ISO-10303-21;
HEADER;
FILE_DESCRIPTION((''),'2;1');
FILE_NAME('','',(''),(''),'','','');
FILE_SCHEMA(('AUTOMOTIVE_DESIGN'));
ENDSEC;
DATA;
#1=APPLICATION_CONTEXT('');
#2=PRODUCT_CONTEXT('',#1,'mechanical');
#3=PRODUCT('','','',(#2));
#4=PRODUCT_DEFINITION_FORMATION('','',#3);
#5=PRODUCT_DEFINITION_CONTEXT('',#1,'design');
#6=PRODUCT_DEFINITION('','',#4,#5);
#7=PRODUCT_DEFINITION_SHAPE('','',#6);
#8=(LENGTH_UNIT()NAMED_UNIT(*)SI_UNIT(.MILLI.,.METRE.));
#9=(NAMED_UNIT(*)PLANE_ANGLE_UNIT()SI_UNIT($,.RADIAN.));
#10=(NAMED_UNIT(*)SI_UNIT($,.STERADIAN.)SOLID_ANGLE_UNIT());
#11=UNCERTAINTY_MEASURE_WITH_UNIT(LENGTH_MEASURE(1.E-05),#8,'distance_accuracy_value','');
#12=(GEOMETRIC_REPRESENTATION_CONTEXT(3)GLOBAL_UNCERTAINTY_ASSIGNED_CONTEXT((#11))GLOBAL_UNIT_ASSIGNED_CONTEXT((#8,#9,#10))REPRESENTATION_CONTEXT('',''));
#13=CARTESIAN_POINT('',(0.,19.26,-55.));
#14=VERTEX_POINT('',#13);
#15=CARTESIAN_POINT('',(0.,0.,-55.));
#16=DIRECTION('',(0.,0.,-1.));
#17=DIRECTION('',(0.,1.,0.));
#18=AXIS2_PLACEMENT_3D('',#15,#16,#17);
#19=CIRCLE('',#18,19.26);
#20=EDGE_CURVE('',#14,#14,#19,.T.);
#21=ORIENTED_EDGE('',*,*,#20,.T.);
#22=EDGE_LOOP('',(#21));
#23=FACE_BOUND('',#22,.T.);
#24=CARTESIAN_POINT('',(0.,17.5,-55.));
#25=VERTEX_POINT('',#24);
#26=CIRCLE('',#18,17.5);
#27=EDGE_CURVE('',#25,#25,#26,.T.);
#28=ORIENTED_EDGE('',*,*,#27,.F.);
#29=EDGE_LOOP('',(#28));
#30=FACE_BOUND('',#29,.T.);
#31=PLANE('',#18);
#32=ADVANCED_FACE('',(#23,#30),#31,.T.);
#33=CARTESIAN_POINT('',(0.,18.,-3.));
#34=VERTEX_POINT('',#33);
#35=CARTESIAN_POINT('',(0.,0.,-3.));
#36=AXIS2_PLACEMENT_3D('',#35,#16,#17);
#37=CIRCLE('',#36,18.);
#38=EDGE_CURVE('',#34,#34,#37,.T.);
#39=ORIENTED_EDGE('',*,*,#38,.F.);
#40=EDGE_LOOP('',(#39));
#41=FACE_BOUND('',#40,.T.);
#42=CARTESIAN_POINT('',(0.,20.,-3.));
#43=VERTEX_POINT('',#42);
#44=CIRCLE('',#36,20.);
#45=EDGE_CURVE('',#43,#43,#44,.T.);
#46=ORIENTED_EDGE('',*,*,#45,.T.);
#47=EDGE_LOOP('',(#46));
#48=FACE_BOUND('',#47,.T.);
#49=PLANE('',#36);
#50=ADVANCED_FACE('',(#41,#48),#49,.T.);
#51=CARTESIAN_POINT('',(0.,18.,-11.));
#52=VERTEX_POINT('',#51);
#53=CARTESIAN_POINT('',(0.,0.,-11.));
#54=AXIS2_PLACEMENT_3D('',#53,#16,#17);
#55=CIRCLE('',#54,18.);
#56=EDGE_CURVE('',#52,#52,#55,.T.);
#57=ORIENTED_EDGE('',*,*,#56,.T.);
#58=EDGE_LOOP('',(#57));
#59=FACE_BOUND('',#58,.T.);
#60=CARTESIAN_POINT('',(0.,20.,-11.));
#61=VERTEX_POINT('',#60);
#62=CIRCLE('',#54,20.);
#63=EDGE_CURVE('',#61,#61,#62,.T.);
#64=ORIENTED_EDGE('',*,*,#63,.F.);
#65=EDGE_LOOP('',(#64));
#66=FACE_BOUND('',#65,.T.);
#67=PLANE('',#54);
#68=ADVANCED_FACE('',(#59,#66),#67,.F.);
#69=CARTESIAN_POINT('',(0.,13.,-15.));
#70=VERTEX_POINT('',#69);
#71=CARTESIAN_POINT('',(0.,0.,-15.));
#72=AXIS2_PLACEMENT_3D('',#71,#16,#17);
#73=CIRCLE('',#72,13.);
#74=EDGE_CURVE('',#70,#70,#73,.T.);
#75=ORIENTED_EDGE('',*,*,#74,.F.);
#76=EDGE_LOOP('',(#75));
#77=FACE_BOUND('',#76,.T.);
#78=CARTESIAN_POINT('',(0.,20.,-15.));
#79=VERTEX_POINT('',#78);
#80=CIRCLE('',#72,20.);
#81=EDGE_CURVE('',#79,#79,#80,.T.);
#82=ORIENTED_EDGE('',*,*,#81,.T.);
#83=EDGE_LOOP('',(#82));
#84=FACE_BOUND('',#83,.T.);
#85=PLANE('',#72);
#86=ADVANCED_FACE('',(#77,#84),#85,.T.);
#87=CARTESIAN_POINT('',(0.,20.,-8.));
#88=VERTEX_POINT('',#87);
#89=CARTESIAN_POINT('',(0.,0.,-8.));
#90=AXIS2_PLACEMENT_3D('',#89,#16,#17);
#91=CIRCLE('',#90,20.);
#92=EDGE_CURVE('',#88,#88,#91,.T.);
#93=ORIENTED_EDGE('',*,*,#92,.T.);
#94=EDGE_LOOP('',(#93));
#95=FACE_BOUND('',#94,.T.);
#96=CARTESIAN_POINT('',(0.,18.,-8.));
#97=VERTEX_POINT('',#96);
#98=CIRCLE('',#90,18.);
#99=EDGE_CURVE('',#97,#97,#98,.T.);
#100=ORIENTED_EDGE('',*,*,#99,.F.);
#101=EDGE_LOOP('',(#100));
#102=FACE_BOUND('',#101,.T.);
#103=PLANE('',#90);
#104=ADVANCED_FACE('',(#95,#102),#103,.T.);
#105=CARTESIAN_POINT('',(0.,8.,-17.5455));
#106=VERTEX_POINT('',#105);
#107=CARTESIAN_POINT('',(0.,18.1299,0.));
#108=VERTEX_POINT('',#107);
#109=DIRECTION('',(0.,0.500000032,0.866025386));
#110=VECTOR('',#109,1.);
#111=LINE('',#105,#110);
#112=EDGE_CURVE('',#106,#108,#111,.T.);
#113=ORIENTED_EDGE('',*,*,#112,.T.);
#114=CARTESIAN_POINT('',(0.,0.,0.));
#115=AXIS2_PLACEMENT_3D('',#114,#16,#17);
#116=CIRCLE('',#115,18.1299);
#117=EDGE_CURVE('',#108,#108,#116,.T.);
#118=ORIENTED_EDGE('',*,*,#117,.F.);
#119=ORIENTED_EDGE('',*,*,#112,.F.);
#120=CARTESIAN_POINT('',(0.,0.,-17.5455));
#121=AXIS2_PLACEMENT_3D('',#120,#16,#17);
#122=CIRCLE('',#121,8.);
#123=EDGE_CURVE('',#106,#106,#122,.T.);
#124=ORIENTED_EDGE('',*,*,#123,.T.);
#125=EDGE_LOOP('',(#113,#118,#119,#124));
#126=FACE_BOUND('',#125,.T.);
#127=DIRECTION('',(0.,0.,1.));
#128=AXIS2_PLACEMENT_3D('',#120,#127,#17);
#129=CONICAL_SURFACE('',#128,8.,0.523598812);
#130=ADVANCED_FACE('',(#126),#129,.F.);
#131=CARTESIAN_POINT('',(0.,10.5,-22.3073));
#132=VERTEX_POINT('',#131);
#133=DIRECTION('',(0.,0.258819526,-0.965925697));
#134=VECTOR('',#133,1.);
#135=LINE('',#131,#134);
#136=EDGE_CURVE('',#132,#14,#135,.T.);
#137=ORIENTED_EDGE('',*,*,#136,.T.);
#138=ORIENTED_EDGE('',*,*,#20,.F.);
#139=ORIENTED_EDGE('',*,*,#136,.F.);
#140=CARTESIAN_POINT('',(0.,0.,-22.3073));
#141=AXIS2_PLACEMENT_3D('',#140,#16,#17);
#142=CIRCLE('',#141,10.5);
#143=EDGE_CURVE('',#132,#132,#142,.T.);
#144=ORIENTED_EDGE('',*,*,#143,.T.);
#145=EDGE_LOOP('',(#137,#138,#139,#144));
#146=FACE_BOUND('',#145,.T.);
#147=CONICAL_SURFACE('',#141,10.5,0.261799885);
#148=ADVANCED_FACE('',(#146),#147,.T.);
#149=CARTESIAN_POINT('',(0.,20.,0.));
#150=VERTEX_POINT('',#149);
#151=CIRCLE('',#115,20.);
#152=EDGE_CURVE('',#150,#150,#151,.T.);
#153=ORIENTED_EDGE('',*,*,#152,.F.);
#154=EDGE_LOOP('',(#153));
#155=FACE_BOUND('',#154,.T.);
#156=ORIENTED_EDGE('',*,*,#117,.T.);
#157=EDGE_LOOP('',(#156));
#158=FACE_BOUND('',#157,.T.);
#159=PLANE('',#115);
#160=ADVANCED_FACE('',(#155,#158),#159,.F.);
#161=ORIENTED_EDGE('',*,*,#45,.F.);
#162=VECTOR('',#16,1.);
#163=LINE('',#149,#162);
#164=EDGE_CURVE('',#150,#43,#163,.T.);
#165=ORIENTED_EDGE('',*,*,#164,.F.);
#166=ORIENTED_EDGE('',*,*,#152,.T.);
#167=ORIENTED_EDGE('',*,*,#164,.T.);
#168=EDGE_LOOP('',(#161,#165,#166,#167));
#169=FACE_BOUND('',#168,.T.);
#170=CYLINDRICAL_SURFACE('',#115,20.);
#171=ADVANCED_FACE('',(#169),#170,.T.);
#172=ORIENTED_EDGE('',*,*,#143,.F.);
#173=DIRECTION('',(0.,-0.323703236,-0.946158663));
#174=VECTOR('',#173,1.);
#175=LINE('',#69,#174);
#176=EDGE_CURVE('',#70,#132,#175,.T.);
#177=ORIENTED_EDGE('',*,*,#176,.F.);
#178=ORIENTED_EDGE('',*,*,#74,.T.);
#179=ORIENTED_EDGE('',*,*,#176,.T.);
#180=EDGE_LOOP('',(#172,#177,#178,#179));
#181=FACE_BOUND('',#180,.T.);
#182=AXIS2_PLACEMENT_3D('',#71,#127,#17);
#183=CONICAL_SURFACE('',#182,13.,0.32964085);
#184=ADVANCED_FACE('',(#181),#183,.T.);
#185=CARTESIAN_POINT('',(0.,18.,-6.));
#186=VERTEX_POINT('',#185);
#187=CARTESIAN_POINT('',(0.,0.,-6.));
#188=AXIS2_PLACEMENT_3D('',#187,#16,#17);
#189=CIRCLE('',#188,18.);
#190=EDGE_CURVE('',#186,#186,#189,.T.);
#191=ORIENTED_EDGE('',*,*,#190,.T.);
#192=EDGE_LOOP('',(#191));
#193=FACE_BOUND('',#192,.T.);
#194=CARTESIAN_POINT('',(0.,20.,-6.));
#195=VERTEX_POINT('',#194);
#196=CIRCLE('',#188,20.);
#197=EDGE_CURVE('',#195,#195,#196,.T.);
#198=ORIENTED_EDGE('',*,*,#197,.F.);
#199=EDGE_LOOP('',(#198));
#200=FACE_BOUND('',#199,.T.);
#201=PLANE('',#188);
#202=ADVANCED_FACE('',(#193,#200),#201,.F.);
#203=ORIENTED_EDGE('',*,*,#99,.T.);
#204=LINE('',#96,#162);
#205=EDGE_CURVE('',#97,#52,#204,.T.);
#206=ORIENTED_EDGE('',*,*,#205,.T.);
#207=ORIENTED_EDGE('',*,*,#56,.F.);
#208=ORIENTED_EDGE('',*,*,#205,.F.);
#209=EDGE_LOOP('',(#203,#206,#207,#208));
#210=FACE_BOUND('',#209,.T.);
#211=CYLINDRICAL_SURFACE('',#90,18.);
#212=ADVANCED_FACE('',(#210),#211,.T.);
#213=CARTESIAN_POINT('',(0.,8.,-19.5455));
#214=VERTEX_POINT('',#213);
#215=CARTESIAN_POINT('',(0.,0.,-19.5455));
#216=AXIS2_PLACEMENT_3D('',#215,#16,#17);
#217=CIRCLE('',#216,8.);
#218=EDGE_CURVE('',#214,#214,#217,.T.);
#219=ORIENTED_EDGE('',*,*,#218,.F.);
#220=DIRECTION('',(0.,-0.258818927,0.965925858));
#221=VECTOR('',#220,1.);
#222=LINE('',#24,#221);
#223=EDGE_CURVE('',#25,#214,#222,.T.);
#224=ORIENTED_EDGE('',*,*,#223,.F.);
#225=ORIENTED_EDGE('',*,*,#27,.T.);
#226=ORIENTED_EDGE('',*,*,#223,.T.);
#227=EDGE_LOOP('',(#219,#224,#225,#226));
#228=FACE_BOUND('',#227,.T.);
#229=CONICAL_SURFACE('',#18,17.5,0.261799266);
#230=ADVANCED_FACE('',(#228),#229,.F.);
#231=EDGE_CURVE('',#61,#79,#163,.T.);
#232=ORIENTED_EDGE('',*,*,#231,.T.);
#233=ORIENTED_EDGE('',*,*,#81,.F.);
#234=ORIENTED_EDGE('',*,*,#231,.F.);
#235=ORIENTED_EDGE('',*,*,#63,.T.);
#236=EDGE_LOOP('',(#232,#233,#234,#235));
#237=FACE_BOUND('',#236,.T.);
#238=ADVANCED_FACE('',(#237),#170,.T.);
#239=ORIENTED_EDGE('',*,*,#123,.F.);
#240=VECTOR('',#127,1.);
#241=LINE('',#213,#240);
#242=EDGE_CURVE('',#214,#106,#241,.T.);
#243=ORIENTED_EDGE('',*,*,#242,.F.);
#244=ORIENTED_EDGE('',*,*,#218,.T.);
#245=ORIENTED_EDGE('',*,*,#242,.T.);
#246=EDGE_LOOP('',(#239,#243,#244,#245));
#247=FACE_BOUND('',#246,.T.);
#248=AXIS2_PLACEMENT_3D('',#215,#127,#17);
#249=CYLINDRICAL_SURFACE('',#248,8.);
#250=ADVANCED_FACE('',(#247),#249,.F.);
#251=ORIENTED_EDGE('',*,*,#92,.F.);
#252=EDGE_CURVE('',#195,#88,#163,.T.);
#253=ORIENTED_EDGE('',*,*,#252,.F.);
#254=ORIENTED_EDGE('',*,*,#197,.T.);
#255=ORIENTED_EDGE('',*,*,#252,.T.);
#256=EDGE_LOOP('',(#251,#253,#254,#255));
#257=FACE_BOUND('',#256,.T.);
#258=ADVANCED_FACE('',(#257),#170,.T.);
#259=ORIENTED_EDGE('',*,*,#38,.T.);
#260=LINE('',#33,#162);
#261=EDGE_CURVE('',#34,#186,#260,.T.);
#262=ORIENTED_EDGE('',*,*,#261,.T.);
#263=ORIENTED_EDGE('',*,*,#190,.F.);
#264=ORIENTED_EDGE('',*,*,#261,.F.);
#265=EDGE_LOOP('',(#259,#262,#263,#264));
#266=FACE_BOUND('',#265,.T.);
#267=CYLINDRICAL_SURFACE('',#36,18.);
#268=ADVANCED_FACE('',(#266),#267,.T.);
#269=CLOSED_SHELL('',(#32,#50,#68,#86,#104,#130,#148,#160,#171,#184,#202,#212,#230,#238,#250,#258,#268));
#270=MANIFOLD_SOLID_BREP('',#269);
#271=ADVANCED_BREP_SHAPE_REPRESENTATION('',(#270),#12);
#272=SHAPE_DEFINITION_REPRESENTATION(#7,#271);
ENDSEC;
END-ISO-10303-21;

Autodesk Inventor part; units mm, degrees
ref_plane "YZ Plane" through (0, 0, 0) normal (1, 0, 0) x (0, 1, 0)
ref_plane "XZ Plane" through (0, 0, 0) normal (0, 1, 0) x (-1, 0, 0)
ref_plane "XY Plane" through (0, 0, 0) normal (0, 0, 1) x (1, 0, 0)
sketch "Sketch1" plane through (0, 0, 0) normal (1, 0, 0) x (0, 1, 0)
  line L0 (0, 0) -> (20, 0)
  line L1 (20, 0) -> (20, -15)
  line L2 (20, -15) -> (13, -15)
  line L3 (13, -15) -> (10.5, -22.3073)
  line L4 (10.5, -22.3073) -> (19.26, -55)
  line L5 (19.26, -55) -> (0, -55)
  line L6 (0, 0) -> (0, -55)
  line L7 (17.5, -55) -> (8, -19.5455)
  line L8 (8, -19.5455) -> (8, -17.5455)
  line L9 (8, -17.5455) -> (18.1299, 0)
  line L10 (20, -3) -> (18, -3)
  line L11 (18, -3) -> (18, -6)
  line L12 (18, -6) -> (20, -6)
  line L13 (20, -6) -> (20, -3)
  line L14 (20, -8) -> (18, -8)
  line L15 (18, -8) -> (18, -11)
  line L16 (18, -11) -> (20, -11)
  line L17 (20, -11) -> (20, -8)
  dimension "d0" = 1.7
  dimension "d1" = 55
  dimension "d2" = 15
  dimension "d3" = 15
  dimension "d4" = 30
  dimension "d5" = 8
  dimension "d6" = 20
  dimension "d7" = 17.5
  dimension "d8" = 2
  dimension "d9" = 13
  dimension "d10" = 10.5
  dimension "d11" = 2
  dimension "d12" = 3
  dimension "d13" = 3
  dimension "d14" = 8
revolve "Revolution1" add sketch "Sketch1" angle 360 about axis through (0, 0, 0) along (0, 0, -1) contours L0 L1 L10 L11 L12 L14 L15 L16 L2 L3 L4 L5 L7 L8 L9
properties part number "TOBERA" material "Steel, Mild, Welded"
